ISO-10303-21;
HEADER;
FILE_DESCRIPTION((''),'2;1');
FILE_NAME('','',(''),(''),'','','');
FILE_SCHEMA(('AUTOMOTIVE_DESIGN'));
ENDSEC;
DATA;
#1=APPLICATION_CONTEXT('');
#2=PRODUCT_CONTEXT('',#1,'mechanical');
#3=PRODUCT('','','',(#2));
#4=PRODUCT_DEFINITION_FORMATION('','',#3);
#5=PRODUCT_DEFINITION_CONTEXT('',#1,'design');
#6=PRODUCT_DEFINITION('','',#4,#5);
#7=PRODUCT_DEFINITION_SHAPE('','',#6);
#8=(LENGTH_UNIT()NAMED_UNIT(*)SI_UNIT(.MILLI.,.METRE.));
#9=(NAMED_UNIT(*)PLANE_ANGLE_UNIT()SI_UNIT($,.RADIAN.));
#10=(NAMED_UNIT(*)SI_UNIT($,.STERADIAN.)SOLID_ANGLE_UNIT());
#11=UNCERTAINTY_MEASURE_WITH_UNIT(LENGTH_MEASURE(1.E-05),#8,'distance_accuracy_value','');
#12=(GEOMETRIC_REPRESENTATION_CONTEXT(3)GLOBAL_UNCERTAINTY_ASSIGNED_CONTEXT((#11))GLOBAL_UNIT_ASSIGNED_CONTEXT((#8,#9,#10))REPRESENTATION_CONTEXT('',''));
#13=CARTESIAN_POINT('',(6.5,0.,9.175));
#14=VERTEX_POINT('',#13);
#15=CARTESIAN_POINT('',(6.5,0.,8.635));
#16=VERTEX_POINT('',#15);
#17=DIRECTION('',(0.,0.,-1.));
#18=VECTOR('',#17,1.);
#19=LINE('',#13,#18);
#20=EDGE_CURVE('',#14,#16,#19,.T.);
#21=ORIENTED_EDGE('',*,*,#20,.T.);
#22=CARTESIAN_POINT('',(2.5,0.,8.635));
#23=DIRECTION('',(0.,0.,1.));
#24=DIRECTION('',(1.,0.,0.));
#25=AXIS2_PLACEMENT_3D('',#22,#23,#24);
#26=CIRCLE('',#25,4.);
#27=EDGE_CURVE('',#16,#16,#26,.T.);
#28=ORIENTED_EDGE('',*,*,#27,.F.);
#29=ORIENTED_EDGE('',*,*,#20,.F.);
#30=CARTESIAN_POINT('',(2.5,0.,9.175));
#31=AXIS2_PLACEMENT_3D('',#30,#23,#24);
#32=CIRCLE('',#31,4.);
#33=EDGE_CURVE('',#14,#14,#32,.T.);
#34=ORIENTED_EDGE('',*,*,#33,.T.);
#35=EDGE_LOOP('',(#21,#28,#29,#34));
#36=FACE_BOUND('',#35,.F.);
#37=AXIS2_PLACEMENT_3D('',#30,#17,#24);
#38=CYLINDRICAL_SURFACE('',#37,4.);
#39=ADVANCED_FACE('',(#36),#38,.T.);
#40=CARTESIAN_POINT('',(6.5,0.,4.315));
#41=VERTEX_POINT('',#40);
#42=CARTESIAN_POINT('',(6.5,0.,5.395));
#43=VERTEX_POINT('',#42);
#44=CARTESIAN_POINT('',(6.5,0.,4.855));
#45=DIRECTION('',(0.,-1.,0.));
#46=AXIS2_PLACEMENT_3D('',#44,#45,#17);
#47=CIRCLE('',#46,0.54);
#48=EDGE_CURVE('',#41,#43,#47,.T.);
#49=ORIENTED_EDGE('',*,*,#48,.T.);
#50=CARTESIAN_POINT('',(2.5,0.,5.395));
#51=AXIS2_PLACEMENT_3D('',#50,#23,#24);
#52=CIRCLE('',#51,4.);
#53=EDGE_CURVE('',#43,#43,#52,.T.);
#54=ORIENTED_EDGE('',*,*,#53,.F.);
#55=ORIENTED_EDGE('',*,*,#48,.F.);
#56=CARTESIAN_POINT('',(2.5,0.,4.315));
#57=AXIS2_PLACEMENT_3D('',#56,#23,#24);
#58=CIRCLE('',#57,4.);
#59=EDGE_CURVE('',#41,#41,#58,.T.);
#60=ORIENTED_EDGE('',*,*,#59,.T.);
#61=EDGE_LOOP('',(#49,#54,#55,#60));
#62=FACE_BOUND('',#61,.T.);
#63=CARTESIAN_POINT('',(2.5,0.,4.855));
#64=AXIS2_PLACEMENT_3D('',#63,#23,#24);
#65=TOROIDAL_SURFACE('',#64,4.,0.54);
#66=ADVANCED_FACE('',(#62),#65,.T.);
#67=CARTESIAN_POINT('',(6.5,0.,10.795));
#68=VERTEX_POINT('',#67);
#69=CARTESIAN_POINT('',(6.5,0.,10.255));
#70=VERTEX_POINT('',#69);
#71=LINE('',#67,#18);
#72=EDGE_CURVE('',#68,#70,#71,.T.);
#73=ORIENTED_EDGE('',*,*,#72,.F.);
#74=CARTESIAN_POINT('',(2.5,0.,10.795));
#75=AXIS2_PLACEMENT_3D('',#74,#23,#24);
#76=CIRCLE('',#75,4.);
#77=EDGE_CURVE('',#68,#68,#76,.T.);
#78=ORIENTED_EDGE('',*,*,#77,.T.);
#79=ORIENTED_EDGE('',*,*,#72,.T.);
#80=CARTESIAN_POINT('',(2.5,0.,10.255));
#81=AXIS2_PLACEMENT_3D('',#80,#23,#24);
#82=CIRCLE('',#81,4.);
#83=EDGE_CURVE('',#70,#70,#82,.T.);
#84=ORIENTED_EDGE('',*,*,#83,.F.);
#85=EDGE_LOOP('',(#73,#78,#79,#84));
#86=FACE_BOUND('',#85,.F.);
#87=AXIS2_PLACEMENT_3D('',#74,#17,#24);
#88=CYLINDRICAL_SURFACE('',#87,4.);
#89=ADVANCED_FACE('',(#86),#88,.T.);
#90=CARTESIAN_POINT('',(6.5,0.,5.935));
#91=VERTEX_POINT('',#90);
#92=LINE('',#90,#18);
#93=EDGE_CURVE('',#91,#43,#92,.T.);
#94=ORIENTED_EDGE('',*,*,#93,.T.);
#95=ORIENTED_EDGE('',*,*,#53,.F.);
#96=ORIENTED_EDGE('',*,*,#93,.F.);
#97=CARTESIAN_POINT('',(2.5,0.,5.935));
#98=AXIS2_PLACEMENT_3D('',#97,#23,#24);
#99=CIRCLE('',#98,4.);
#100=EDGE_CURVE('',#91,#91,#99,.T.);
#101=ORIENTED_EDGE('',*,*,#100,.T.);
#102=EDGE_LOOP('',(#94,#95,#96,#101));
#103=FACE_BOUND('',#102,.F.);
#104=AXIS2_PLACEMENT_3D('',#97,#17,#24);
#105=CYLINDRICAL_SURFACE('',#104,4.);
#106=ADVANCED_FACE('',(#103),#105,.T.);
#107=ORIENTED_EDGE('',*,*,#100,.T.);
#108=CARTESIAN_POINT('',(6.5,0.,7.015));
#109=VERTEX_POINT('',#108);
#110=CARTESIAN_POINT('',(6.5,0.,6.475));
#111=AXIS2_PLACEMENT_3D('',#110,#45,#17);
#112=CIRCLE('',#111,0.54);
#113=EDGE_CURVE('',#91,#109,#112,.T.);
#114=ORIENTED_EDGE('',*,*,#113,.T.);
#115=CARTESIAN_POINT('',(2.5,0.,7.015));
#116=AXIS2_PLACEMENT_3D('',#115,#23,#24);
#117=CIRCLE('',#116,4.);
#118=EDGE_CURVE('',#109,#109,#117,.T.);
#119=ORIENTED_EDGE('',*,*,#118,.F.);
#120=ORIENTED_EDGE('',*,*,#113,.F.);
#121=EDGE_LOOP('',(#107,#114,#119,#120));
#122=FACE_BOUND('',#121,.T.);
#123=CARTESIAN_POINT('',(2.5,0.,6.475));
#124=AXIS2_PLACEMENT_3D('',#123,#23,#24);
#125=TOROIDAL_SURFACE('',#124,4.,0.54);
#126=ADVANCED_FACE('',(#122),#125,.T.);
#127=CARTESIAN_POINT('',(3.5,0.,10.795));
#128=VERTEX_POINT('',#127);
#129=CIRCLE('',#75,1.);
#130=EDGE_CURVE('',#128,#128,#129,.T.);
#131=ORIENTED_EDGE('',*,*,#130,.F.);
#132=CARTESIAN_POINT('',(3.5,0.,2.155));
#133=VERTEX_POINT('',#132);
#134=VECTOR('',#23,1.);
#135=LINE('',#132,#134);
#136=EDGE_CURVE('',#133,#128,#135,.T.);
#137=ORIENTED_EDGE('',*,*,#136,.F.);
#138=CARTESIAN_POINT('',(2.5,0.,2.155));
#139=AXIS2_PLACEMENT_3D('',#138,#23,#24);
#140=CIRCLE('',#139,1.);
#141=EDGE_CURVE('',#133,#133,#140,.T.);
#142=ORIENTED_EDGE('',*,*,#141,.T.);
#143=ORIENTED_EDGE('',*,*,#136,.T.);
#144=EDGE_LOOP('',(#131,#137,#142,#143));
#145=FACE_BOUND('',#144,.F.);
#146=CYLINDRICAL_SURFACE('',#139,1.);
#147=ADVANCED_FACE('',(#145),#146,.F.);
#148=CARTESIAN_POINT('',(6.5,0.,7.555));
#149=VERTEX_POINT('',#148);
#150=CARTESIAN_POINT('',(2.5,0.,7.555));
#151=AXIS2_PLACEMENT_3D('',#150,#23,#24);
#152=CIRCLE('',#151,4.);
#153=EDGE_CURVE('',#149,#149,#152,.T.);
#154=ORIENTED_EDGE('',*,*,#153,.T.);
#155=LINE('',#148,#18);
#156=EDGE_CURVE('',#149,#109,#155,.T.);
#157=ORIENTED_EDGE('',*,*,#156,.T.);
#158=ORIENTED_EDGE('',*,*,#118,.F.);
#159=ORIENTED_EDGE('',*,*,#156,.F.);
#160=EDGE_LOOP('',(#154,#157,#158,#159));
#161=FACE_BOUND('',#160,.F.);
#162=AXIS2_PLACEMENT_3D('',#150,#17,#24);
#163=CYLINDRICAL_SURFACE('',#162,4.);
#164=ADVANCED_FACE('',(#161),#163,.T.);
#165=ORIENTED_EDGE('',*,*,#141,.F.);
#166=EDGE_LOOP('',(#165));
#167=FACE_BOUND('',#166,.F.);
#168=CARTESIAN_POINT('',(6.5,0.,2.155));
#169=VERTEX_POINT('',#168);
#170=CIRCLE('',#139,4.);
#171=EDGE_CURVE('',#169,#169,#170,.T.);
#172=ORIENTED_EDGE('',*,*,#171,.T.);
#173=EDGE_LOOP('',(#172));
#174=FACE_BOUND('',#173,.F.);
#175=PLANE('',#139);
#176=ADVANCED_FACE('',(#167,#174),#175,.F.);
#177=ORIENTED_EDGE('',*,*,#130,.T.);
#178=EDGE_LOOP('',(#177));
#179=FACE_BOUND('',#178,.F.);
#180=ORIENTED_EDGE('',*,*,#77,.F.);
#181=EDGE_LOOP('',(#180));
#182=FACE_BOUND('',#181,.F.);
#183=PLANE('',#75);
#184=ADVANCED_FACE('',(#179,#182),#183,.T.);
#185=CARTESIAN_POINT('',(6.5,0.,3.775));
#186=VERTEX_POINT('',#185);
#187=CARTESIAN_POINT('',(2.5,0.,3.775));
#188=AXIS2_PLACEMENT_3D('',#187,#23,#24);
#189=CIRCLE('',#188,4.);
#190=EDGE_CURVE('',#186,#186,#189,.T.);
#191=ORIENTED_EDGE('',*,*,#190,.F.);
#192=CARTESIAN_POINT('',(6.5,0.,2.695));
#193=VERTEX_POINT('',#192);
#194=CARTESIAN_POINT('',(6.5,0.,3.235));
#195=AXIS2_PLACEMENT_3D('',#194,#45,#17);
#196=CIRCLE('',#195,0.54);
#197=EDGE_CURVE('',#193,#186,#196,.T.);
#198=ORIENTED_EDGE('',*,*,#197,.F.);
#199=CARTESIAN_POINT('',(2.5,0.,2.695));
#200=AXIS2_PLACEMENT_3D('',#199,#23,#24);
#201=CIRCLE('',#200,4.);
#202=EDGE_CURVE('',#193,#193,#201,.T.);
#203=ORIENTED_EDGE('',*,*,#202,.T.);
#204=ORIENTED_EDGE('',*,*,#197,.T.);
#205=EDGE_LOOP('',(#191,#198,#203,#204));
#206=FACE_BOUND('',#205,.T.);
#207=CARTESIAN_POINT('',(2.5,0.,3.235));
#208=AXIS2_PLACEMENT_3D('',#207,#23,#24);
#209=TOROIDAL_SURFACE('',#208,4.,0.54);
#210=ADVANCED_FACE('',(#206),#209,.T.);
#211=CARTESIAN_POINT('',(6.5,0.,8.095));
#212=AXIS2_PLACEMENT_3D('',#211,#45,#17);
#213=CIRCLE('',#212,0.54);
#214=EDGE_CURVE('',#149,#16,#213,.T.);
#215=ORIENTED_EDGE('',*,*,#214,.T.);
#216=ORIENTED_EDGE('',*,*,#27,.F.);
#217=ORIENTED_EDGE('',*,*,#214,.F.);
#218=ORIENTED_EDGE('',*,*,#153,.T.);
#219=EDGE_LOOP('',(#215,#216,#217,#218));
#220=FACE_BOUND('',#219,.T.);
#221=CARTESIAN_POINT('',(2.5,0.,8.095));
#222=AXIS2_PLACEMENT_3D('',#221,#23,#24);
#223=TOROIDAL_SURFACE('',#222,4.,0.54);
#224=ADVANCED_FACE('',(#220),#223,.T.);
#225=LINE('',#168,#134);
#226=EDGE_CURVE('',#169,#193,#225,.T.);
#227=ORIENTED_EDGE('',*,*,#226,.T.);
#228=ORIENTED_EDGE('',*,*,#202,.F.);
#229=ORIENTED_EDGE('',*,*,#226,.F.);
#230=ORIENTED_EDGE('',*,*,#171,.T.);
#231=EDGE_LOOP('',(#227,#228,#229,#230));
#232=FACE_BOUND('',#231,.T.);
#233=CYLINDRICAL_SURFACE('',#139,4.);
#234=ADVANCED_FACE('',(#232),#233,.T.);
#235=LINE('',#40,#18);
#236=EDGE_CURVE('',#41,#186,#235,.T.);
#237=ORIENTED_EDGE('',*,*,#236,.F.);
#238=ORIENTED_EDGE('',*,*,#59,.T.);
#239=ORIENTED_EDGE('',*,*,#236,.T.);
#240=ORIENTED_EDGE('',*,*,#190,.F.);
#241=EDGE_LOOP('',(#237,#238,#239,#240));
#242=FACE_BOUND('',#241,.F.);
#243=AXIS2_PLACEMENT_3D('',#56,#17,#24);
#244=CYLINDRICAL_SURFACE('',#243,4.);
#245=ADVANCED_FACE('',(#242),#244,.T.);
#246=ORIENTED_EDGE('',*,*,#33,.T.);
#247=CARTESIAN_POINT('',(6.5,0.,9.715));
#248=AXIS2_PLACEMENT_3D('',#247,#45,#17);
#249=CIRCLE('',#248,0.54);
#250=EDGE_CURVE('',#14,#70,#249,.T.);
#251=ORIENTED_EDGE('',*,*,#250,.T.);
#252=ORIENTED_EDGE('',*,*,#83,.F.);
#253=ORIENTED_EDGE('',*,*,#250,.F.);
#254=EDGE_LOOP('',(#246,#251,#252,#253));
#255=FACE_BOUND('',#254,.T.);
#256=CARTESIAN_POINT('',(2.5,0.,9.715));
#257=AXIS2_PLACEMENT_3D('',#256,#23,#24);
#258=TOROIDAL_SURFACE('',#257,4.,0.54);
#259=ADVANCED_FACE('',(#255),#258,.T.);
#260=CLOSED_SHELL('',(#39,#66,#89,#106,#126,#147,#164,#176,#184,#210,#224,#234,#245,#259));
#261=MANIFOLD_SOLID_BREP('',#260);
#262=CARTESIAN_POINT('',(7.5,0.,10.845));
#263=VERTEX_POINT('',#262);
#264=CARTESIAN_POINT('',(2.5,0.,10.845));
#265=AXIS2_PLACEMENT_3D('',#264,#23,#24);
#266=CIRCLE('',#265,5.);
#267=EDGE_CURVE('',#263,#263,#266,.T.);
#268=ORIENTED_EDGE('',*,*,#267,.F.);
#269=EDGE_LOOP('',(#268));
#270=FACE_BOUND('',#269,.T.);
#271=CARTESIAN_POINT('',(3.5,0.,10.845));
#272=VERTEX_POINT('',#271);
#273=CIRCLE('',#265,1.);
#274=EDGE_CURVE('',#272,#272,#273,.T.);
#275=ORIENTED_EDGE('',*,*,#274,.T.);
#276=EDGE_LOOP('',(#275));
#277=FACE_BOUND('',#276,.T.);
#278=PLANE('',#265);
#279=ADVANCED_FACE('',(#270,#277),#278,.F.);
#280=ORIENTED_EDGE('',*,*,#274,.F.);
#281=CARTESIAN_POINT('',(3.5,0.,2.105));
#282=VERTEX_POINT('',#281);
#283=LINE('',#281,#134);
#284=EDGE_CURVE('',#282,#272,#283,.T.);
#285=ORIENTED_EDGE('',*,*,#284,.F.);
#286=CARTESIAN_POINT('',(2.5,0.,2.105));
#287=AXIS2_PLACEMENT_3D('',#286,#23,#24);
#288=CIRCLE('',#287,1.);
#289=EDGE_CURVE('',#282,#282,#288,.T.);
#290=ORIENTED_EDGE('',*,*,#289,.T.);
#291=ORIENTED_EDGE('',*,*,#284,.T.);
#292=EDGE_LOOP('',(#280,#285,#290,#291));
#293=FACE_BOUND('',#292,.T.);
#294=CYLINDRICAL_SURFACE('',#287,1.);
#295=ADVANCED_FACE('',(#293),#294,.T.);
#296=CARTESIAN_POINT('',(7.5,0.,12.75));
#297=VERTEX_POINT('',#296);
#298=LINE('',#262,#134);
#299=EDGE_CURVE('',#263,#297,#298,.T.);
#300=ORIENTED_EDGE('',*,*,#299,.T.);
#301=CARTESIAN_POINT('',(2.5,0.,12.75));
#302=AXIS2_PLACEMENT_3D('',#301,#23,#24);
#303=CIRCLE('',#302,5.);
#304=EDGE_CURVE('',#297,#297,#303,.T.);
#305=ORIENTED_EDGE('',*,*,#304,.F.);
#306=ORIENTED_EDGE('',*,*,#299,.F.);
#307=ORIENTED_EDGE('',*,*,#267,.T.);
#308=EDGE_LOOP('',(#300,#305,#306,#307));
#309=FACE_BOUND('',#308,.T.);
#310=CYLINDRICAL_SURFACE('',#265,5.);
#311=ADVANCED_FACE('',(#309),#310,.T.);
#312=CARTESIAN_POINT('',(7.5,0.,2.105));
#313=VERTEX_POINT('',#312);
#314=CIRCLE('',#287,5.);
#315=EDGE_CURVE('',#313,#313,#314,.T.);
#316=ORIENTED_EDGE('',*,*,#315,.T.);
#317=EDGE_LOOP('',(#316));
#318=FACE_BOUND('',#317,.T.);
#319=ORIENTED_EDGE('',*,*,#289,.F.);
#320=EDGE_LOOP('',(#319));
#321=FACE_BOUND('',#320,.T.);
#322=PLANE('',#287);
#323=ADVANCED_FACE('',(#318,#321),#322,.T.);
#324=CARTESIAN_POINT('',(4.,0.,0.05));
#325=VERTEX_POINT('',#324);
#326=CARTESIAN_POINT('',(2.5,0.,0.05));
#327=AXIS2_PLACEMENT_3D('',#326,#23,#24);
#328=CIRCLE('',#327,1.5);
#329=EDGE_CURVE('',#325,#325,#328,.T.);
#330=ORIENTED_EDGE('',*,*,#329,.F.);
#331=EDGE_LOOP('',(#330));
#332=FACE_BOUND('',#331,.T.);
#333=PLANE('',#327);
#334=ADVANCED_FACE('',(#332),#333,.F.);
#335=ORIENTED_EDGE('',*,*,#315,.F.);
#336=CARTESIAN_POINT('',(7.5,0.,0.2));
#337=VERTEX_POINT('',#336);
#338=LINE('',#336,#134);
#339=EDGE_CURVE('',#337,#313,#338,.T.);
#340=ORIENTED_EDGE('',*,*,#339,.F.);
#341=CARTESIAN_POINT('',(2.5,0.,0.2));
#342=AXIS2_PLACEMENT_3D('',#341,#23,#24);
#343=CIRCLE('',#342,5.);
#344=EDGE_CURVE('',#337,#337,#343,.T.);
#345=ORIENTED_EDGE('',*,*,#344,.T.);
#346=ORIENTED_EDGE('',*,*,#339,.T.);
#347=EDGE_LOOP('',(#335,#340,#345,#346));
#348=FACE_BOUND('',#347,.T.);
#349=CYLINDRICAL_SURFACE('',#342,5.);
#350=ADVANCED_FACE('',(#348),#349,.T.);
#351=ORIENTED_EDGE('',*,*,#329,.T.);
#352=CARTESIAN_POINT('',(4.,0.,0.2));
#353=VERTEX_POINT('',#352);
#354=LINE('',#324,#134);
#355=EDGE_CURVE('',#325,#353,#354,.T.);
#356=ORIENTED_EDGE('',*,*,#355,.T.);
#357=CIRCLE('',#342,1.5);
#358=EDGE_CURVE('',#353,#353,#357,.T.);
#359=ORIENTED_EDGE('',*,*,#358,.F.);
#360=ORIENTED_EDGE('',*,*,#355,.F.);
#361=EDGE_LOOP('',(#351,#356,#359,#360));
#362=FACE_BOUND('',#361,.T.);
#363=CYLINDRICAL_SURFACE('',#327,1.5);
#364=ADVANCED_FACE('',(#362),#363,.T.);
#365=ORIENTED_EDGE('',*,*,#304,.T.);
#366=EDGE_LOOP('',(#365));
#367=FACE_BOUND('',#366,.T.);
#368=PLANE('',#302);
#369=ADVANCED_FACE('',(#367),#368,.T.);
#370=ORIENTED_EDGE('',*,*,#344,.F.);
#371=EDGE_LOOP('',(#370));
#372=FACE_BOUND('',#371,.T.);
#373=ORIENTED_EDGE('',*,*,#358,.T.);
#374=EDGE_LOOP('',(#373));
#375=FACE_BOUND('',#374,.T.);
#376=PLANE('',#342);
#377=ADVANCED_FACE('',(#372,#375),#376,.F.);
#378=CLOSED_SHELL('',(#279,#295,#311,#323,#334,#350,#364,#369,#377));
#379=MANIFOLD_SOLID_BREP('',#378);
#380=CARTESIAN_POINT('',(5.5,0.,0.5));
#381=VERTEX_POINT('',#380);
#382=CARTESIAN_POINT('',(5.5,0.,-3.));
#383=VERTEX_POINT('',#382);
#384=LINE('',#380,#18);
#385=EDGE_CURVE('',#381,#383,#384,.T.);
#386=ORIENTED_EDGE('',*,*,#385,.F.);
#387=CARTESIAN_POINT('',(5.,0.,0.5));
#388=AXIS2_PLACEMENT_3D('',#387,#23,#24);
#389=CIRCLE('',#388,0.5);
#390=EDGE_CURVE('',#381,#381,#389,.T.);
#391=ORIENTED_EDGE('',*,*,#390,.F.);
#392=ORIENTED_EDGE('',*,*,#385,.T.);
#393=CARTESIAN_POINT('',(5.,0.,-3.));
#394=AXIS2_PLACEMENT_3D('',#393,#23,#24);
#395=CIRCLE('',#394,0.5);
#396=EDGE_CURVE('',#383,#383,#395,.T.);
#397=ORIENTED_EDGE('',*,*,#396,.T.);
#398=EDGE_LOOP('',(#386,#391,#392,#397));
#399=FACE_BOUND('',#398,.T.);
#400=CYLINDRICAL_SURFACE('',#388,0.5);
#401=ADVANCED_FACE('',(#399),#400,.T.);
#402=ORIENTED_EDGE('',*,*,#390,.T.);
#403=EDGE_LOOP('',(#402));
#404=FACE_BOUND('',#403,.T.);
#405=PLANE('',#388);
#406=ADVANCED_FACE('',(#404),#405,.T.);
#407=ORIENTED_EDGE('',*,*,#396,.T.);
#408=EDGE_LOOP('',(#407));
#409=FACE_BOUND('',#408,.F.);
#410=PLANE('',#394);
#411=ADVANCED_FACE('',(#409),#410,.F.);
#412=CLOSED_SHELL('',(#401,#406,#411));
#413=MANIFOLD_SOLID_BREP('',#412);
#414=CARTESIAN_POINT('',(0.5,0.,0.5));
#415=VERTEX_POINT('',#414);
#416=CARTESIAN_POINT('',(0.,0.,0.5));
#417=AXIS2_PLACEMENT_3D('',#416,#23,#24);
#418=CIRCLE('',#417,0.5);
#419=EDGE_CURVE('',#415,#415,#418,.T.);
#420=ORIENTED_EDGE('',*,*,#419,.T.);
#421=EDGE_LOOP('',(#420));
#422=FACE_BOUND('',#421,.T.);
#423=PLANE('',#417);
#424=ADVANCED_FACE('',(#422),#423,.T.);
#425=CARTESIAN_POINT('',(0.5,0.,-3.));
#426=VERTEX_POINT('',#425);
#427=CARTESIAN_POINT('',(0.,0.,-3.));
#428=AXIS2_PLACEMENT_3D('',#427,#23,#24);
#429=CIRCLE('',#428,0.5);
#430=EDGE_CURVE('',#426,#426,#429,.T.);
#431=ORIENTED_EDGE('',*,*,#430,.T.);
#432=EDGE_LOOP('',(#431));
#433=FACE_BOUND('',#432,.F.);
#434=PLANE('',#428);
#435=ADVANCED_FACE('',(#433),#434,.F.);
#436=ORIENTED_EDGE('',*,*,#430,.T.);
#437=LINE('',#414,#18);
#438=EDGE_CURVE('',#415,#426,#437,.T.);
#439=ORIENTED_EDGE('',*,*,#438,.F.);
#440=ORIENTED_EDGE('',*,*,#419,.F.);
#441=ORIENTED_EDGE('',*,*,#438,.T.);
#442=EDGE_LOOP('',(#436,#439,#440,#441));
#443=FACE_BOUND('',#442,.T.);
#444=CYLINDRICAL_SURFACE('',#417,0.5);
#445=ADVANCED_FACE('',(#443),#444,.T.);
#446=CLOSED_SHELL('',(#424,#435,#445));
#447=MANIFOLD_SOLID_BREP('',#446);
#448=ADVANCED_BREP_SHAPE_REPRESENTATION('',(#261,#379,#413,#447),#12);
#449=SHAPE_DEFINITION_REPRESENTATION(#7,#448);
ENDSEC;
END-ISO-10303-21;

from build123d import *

# Parameters (mm, degrees)
SKETCH001_R  = 0.5
PAD001_DEPTH = 3.5


with BuildPart() as pad001:
    # Sketch001 → Pad001 (new body)
    with BuildSketch(Plane.XY.offset(0.5)):
        Circle(SKETCH001_R)
        with Locations((5, 0)):
            Circle(SKETCH001_R)
    extrude(amount=-PAD001_DEPTH)


with BuildPart() as revolution:
    # Sketch → Revolution (revolve)
    with BuildSketch(Plane(origin=(2.5, 0, 0), x_dir=(1, 0, 0), z_dir=(0, -1, 0))):
        Polygon((0, 0.05), (1.5, 0.05), (1.5, 0.2), (5, 0.2), (5, 2.105), (1, 2.105), (1, 10.845), (5, 10.845), (5, 12.75), (0, 12.75), align=None)
    revolve(axis=Axis((2.5, 0, 0), (0, 0, 1)))


with BuildPart() as revolution001:
    # Sketch002 → Revolution001 (revolve)
    with BuildSketch(Plane(origin=(2.5, 0, 0), x_dir=(1, 0, 0), z_dir=(0, -1, 0))):
        with BuildLine():
            Line((4, 2.155), (1, 2.155))
            Line((1, 2.155), (1, 10.795))
            Line((1, 10.795), (4, 10.795))
            Line((4, 10.795), (4, 10.255))
            ThreePointArc((4, 9.175), (4.54, 9.715), (4, 10.255))
            Line((4, 9.175), (4, 8.635))
            ThreePointArc((4, 7.555), (4.54, 8.095), (4, 8.635))
            Line((4, 7.555), (4, 7.015))
            ThreePointArc((4, 5.935), (4.54, 6.475), (4, 7.015))
            Line((4, 5.935), (4, 5.395))
            ThreePointArc((4, 4.315), (4.54, 4.855), (4, 5.395))
            Line((4, 4.315), (4, 3.775))
            ThreePointArc((4, 2.695), (4.54, 3.235), (4, 3.775))
            Line((4, 2.155), (4, 2.695))
        make_face()
    revolve(axis=Axis((2.5, 0, 0), (0, 0, 1)))


solid = Compound([pad001.part, revolution.part, revolution001.part])
